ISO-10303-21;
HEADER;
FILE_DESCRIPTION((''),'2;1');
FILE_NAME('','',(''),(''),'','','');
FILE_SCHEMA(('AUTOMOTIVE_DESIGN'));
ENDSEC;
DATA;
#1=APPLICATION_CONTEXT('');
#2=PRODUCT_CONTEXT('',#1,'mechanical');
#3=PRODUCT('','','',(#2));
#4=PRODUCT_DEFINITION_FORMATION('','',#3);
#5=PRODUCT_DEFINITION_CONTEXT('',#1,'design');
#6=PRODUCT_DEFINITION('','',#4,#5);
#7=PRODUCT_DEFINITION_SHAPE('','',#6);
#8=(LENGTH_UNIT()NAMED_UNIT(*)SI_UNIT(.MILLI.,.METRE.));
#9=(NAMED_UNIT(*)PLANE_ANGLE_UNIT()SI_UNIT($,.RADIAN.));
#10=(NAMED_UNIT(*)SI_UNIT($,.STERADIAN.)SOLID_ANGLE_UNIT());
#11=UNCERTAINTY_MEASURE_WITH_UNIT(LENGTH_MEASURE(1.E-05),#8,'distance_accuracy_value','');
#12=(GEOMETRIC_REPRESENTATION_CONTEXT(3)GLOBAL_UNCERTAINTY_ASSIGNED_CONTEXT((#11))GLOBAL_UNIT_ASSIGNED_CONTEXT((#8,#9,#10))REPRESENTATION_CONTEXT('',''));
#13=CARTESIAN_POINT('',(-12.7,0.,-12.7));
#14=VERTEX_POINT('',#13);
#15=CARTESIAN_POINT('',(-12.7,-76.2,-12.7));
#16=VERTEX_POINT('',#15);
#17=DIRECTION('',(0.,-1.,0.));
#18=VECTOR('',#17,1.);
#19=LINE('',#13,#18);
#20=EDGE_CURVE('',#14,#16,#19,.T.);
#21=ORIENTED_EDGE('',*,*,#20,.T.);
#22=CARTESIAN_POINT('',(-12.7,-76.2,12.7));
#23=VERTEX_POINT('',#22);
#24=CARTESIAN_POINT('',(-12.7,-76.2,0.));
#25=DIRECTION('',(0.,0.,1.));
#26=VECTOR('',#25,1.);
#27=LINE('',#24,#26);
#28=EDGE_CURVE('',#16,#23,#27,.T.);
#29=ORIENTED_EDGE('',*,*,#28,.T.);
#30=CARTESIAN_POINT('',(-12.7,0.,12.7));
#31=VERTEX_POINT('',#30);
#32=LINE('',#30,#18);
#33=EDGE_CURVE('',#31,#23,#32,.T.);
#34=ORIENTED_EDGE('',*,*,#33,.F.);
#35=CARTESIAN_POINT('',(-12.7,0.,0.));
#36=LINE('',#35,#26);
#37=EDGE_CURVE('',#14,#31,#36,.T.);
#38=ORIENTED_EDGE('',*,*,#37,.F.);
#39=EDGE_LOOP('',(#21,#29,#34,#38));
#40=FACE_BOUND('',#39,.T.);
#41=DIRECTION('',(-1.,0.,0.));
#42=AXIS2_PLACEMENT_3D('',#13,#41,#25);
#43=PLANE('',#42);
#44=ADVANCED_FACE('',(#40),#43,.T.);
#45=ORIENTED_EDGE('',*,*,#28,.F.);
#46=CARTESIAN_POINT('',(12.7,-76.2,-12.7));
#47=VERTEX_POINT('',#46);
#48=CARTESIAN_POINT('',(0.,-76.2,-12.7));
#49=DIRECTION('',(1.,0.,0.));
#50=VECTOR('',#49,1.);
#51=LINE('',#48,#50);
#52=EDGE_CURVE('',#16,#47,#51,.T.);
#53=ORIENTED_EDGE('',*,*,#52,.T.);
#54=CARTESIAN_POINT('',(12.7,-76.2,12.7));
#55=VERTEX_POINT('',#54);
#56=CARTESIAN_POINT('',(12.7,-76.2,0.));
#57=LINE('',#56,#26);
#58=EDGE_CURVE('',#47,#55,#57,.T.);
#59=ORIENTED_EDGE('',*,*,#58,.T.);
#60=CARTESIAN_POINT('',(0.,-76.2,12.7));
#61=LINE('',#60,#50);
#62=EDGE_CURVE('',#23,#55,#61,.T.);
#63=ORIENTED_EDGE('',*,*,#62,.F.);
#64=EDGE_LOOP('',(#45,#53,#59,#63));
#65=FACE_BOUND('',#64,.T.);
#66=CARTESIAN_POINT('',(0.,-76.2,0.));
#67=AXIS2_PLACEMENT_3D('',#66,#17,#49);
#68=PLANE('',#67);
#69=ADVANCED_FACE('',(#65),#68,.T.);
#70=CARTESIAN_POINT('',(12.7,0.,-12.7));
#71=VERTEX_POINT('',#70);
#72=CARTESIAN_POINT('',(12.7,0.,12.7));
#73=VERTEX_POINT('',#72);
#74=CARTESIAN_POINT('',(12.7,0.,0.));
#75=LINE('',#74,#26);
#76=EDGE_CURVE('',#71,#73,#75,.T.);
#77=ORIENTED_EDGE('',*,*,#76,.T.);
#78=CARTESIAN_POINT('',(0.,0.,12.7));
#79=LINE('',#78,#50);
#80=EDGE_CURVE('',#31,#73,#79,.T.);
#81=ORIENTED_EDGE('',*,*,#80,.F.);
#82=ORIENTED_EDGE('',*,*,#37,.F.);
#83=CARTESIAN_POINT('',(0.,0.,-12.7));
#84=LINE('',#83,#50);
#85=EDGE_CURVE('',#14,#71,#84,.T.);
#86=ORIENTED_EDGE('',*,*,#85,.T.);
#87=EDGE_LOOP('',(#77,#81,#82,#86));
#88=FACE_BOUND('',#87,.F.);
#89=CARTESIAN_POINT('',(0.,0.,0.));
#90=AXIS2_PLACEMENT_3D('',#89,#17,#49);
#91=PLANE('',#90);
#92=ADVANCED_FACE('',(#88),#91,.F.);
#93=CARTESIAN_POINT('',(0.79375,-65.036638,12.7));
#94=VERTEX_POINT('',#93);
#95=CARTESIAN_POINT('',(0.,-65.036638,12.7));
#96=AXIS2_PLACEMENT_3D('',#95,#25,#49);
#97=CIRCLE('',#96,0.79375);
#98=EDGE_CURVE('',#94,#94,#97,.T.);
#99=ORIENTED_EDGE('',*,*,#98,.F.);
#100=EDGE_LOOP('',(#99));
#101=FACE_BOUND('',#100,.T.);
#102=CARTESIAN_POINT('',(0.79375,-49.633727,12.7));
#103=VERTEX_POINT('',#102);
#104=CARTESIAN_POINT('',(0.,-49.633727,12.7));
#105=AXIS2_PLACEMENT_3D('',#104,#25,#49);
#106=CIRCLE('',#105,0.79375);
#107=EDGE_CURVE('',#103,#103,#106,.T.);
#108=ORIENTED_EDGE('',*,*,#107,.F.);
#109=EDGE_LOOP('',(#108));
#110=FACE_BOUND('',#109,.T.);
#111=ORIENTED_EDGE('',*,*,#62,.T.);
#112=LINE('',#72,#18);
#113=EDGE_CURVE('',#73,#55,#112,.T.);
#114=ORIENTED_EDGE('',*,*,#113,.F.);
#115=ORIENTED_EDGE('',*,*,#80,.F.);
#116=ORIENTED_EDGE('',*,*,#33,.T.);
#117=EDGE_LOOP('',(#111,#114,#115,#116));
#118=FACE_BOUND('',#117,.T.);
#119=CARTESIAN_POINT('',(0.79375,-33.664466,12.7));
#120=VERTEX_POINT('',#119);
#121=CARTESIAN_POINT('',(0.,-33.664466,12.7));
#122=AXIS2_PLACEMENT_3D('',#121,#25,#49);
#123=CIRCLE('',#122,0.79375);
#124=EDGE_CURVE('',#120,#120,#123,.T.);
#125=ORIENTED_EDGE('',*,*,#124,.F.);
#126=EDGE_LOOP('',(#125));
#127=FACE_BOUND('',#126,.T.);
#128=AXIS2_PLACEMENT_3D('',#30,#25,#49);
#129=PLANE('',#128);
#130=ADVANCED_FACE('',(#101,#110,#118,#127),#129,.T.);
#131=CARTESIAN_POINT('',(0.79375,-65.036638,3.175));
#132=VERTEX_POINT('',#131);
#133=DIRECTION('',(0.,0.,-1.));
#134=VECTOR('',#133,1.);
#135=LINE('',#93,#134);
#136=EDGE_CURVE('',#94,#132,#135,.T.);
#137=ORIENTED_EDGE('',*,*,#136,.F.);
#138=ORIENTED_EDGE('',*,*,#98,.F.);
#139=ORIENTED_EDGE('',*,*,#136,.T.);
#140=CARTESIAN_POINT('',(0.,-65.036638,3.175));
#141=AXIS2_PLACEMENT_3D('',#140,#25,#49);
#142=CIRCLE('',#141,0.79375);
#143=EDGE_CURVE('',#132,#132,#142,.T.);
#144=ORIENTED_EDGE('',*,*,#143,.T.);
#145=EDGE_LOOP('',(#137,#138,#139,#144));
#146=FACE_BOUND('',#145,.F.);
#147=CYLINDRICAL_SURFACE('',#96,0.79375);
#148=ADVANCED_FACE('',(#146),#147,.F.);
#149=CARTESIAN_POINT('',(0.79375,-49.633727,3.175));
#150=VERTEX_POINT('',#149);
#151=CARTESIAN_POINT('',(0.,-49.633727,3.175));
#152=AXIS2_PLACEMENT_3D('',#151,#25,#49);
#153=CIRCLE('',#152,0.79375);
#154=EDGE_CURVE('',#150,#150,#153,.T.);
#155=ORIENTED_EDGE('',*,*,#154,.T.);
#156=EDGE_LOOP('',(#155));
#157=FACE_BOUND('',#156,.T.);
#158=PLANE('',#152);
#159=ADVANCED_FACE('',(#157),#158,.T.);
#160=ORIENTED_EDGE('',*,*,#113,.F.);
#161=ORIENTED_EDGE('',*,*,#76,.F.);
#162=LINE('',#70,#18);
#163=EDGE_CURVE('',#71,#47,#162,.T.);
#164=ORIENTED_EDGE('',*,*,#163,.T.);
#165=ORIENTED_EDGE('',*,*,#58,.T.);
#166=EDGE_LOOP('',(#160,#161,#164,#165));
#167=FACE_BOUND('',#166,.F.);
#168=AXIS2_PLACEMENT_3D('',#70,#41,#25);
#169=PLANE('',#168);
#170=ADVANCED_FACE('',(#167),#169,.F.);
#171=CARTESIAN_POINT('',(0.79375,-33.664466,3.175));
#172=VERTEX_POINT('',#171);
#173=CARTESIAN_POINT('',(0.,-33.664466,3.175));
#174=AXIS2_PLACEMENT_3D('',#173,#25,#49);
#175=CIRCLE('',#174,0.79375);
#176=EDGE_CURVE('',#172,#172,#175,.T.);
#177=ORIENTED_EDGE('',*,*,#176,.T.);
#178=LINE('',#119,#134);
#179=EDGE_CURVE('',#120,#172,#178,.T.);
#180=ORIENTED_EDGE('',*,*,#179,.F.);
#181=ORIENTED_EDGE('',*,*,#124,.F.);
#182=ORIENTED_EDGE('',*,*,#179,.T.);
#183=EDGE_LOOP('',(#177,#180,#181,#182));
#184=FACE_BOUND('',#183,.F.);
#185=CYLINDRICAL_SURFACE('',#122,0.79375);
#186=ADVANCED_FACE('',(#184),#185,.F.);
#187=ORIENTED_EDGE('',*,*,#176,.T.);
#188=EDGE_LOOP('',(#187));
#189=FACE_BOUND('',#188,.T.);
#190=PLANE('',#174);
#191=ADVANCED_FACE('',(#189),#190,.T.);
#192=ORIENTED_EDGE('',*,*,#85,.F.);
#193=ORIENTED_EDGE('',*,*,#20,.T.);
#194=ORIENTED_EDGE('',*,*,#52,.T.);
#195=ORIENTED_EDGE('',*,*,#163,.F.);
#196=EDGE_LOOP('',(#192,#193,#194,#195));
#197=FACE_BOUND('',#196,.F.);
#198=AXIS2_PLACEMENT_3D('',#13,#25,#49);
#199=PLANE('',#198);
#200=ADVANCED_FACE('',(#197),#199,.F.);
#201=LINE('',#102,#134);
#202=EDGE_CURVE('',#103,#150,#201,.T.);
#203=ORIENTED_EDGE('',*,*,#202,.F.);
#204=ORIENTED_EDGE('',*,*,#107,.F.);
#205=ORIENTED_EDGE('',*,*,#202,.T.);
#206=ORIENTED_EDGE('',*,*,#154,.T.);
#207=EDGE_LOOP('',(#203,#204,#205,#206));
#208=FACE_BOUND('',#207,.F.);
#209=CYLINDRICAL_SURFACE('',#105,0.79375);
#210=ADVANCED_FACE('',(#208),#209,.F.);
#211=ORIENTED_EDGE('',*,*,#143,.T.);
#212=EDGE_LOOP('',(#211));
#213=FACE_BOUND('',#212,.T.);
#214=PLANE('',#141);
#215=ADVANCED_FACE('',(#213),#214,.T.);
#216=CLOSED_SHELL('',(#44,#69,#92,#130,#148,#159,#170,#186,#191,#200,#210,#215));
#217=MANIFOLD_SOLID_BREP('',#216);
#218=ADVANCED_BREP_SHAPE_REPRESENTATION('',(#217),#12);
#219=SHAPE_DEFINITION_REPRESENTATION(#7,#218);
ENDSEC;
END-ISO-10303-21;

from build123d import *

# Parameters (mm, degrees)
F0_W     = 25.4
F0_H     = 25.4
F1_DEPTH = 76.2
F2_R     = 0.79375
F3_DEPTH = 9.525


with BuildPart() as f1:
    # F0 (on Front) → F1 (new body)
    with BuildSketch(Plane.XZ):
        Rectangle(F0_W, F0_H)
    extrude(amount=F1_DEPTH)

    # F2 (on face) → F3 (cut)
    with BuildSketch(Plane.XY.offset(12.7)):
        with Locations((0, -33.664466)):
            Circle(F2_R)
        with Locations((0, -49.633727)):
            Circle(F2_R)
        with Locations((0, -65.036638)):
            Circle(F2_R)
    extrude(amount=-F3_DEPTH, mode=Mode.SUBTRACT)


solid = f1.part
